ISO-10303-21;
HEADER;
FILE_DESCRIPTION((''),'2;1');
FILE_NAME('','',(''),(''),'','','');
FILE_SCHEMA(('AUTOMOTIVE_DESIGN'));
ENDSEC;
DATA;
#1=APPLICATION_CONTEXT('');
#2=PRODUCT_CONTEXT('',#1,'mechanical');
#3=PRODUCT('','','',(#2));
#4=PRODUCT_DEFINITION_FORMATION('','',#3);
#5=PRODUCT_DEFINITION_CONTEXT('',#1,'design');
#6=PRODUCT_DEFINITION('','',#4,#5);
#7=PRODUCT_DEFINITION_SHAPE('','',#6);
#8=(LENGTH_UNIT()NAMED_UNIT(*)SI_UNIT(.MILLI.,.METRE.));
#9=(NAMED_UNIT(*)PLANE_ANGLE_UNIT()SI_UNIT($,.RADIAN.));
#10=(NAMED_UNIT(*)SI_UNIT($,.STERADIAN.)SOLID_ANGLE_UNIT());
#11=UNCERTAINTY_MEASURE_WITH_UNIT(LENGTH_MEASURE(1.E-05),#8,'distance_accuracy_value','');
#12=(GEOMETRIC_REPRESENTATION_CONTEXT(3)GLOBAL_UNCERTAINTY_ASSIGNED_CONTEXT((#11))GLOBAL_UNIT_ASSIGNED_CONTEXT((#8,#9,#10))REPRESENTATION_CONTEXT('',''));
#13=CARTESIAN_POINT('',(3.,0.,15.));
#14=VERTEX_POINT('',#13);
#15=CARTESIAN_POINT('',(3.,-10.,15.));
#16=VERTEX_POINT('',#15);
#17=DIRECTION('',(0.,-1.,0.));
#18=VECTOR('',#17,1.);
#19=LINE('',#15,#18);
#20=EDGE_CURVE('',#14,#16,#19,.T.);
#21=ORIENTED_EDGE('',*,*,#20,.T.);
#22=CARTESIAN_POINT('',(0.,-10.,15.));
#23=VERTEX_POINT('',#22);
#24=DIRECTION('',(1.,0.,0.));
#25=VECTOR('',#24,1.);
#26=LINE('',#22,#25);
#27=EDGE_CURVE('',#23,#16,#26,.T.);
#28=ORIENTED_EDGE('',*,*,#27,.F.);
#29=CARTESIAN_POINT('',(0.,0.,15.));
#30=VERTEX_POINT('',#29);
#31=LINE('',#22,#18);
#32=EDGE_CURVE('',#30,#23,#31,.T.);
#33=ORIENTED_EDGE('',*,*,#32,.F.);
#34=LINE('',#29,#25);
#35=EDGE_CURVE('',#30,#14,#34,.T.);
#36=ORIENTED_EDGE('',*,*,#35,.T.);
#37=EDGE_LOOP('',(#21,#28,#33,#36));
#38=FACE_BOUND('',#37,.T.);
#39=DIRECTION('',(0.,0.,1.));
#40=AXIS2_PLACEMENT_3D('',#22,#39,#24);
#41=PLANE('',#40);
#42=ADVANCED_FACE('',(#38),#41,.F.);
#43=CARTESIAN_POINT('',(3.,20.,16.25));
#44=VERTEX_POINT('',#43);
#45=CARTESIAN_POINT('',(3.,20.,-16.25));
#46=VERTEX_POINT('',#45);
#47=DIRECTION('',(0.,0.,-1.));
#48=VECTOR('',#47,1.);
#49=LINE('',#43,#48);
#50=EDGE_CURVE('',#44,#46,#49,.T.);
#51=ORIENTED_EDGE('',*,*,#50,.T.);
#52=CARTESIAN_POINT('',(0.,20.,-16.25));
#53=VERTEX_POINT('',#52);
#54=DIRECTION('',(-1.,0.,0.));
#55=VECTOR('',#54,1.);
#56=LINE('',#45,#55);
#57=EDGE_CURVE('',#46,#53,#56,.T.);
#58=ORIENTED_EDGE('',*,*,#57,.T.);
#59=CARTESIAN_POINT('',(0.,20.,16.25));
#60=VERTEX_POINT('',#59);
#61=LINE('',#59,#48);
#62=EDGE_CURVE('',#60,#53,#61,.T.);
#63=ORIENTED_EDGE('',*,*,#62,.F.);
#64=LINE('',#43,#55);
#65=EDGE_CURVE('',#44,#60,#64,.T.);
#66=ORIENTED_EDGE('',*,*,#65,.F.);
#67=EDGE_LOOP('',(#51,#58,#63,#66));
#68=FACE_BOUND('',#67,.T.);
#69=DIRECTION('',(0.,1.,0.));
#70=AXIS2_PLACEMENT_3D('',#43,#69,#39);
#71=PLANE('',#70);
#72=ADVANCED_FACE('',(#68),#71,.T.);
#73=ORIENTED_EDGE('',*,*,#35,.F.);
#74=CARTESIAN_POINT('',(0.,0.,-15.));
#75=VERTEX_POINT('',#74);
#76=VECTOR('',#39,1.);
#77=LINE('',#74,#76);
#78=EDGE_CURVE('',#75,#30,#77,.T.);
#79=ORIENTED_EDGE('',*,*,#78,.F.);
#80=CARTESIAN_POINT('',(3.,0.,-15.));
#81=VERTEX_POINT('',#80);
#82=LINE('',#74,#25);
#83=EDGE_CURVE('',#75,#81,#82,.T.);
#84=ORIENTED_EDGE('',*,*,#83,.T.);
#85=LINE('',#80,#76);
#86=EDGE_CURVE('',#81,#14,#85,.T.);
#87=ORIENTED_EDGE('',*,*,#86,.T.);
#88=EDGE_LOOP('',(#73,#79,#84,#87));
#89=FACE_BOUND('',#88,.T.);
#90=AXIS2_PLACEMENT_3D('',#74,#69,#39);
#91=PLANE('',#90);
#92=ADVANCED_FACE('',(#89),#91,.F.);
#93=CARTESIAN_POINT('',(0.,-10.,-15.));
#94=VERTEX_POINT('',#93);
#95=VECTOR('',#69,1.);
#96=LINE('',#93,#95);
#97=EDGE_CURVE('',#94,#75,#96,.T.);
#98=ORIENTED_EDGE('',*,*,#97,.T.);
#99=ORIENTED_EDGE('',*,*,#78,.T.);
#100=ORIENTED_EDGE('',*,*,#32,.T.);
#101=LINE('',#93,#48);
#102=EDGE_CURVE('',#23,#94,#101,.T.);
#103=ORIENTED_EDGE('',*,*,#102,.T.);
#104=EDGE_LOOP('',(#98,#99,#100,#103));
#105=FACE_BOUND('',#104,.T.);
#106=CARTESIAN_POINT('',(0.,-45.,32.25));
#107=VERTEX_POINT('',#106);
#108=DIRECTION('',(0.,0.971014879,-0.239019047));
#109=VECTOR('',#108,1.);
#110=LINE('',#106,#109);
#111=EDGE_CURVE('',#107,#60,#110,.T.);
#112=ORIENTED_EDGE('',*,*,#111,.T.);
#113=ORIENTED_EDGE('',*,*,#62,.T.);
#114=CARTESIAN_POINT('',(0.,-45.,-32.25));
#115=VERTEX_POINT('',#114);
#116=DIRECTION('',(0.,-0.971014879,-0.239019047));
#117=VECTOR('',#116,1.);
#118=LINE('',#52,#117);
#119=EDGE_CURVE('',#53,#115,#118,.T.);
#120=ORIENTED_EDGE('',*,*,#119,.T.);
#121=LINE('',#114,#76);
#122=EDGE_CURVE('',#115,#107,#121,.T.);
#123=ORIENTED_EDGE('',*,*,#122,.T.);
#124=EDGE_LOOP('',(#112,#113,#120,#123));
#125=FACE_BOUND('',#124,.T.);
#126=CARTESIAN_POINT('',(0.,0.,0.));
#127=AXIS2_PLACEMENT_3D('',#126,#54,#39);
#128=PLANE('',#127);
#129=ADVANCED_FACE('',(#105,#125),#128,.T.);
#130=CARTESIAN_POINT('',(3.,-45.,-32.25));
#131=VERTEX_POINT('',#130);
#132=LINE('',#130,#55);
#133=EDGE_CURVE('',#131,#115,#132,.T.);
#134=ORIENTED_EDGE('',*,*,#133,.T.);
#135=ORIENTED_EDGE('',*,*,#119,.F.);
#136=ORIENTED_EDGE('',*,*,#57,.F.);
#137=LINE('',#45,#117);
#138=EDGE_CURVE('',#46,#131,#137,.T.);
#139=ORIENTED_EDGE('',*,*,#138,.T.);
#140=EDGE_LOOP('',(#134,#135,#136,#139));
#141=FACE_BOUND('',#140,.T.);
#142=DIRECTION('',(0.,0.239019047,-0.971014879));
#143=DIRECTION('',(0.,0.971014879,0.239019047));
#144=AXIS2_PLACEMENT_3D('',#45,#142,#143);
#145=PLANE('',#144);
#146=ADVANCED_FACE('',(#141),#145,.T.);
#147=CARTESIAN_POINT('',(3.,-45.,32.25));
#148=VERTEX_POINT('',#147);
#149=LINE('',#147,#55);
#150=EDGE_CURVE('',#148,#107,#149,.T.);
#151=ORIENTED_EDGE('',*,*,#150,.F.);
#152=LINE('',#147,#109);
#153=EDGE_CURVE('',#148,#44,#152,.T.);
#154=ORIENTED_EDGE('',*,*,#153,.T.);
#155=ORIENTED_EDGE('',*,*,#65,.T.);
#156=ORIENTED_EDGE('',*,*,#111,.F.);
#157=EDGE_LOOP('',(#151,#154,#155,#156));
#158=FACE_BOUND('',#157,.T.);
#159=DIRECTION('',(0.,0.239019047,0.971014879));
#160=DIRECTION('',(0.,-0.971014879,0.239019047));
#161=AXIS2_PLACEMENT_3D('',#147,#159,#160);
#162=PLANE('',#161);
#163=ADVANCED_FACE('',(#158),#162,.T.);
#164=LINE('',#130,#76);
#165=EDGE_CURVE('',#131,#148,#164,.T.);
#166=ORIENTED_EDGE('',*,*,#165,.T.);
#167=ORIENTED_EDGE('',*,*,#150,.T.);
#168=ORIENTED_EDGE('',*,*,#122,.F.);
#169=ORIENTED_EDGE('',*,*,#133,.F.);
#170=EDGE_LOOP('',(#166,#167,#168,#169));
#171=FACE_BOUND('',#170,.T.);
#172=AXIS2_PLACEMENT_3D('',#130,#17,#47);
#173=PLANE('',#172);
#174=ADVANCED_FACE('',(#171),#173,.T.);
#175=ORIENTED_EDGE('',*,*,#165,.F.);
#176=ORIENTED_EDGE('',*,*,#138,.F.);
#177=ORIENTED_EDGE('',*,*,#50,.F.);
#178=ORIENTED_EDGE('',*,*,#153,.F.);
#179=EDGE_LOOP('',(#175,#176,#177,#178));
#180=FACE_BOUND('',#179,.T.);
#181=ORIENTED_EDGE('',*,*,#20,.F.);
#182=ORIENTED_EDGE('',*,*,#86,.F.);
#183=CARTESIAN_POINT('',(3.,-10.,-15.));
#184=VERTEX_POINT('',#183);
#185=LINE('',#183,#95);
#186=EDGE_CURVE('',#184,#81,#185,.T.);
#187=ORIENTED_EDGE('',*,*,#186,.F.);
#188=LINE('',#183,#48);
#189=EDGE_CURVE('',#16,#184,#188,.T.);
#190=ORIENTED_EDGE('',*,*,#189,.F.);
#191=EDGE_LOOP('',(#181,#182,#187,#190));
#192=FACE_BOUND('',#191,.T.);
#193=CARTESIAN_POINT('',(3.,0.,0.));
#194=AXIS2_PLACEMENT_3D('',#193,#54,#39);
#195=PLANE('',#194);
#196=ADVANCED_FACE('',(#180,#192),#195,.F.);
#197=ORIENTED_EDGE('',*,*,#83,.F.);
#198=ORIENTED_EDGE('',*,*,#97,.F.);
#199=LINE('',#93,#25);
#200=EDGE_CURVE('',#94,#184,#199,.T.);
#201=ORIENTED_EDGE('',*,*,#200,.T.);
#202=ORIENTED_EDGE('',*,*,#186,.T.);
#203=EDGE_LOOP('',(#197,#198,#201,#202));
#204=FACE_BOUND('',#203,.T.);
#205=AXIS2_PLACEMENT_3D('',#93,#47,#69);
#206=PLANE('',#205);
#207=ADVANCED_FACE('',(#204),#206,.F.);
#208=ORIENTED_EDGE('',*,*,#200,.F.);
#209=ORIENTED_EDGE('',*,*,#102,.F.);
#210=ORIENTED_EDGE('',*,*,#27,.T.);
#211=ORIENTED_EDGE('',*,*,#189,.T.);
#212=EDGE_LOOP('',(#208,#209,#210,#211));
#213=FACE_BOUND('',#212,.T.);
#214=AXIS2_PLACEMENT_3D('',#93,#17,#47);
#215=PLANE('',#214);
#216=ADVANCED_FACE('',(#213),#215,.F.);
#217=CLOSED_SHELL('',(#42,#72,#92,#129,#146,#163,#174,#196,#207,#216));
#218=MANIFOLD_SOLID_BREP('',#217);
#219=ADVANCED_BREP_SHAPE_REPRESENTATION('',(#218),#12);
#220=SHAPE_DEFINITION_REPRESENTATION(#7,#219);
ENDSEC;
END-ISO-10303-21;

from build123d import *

# Parameters (mm, degrees)
SALIENTE_EXTRUIR1_DEPTH = 3
CROQUIS3_W              = 30
CROQUIS3_H              = 10
CORTAR_EXTRUIR1_DEPTH   = 4


with BuildPart() as part:
    # Croquis2 → Saliente-Extruir1 (new body)
    with BuildSketch(Plane(origin=(0, 0, 0), x_dir=(0, 0, -1), z_dir=(1, 0, 0))):
        Polygon((-16.25, 20), (16.25, 20), (32.25, -45), (-32.25, -45), align=None)
    extrude(amount=SALIENTE_EXTRUIR1_DEPTH)

    # Croquis3 → Cortar-Extruir1 (cut, through all)
    with BuildSketch(Plane(origin=(3, 0, 0), x_dir=(0, 0, -1), z_dir=(1, 0, 0))):
        with Locations((0, -5)):
            Rectangle(CROQUIS3_W, CROQUIS3_H)
    extrude(amount=-CORTAR_EXTRUIR1_DEPTH, mode=Mode.SUBTRACT)


solid = part.part
